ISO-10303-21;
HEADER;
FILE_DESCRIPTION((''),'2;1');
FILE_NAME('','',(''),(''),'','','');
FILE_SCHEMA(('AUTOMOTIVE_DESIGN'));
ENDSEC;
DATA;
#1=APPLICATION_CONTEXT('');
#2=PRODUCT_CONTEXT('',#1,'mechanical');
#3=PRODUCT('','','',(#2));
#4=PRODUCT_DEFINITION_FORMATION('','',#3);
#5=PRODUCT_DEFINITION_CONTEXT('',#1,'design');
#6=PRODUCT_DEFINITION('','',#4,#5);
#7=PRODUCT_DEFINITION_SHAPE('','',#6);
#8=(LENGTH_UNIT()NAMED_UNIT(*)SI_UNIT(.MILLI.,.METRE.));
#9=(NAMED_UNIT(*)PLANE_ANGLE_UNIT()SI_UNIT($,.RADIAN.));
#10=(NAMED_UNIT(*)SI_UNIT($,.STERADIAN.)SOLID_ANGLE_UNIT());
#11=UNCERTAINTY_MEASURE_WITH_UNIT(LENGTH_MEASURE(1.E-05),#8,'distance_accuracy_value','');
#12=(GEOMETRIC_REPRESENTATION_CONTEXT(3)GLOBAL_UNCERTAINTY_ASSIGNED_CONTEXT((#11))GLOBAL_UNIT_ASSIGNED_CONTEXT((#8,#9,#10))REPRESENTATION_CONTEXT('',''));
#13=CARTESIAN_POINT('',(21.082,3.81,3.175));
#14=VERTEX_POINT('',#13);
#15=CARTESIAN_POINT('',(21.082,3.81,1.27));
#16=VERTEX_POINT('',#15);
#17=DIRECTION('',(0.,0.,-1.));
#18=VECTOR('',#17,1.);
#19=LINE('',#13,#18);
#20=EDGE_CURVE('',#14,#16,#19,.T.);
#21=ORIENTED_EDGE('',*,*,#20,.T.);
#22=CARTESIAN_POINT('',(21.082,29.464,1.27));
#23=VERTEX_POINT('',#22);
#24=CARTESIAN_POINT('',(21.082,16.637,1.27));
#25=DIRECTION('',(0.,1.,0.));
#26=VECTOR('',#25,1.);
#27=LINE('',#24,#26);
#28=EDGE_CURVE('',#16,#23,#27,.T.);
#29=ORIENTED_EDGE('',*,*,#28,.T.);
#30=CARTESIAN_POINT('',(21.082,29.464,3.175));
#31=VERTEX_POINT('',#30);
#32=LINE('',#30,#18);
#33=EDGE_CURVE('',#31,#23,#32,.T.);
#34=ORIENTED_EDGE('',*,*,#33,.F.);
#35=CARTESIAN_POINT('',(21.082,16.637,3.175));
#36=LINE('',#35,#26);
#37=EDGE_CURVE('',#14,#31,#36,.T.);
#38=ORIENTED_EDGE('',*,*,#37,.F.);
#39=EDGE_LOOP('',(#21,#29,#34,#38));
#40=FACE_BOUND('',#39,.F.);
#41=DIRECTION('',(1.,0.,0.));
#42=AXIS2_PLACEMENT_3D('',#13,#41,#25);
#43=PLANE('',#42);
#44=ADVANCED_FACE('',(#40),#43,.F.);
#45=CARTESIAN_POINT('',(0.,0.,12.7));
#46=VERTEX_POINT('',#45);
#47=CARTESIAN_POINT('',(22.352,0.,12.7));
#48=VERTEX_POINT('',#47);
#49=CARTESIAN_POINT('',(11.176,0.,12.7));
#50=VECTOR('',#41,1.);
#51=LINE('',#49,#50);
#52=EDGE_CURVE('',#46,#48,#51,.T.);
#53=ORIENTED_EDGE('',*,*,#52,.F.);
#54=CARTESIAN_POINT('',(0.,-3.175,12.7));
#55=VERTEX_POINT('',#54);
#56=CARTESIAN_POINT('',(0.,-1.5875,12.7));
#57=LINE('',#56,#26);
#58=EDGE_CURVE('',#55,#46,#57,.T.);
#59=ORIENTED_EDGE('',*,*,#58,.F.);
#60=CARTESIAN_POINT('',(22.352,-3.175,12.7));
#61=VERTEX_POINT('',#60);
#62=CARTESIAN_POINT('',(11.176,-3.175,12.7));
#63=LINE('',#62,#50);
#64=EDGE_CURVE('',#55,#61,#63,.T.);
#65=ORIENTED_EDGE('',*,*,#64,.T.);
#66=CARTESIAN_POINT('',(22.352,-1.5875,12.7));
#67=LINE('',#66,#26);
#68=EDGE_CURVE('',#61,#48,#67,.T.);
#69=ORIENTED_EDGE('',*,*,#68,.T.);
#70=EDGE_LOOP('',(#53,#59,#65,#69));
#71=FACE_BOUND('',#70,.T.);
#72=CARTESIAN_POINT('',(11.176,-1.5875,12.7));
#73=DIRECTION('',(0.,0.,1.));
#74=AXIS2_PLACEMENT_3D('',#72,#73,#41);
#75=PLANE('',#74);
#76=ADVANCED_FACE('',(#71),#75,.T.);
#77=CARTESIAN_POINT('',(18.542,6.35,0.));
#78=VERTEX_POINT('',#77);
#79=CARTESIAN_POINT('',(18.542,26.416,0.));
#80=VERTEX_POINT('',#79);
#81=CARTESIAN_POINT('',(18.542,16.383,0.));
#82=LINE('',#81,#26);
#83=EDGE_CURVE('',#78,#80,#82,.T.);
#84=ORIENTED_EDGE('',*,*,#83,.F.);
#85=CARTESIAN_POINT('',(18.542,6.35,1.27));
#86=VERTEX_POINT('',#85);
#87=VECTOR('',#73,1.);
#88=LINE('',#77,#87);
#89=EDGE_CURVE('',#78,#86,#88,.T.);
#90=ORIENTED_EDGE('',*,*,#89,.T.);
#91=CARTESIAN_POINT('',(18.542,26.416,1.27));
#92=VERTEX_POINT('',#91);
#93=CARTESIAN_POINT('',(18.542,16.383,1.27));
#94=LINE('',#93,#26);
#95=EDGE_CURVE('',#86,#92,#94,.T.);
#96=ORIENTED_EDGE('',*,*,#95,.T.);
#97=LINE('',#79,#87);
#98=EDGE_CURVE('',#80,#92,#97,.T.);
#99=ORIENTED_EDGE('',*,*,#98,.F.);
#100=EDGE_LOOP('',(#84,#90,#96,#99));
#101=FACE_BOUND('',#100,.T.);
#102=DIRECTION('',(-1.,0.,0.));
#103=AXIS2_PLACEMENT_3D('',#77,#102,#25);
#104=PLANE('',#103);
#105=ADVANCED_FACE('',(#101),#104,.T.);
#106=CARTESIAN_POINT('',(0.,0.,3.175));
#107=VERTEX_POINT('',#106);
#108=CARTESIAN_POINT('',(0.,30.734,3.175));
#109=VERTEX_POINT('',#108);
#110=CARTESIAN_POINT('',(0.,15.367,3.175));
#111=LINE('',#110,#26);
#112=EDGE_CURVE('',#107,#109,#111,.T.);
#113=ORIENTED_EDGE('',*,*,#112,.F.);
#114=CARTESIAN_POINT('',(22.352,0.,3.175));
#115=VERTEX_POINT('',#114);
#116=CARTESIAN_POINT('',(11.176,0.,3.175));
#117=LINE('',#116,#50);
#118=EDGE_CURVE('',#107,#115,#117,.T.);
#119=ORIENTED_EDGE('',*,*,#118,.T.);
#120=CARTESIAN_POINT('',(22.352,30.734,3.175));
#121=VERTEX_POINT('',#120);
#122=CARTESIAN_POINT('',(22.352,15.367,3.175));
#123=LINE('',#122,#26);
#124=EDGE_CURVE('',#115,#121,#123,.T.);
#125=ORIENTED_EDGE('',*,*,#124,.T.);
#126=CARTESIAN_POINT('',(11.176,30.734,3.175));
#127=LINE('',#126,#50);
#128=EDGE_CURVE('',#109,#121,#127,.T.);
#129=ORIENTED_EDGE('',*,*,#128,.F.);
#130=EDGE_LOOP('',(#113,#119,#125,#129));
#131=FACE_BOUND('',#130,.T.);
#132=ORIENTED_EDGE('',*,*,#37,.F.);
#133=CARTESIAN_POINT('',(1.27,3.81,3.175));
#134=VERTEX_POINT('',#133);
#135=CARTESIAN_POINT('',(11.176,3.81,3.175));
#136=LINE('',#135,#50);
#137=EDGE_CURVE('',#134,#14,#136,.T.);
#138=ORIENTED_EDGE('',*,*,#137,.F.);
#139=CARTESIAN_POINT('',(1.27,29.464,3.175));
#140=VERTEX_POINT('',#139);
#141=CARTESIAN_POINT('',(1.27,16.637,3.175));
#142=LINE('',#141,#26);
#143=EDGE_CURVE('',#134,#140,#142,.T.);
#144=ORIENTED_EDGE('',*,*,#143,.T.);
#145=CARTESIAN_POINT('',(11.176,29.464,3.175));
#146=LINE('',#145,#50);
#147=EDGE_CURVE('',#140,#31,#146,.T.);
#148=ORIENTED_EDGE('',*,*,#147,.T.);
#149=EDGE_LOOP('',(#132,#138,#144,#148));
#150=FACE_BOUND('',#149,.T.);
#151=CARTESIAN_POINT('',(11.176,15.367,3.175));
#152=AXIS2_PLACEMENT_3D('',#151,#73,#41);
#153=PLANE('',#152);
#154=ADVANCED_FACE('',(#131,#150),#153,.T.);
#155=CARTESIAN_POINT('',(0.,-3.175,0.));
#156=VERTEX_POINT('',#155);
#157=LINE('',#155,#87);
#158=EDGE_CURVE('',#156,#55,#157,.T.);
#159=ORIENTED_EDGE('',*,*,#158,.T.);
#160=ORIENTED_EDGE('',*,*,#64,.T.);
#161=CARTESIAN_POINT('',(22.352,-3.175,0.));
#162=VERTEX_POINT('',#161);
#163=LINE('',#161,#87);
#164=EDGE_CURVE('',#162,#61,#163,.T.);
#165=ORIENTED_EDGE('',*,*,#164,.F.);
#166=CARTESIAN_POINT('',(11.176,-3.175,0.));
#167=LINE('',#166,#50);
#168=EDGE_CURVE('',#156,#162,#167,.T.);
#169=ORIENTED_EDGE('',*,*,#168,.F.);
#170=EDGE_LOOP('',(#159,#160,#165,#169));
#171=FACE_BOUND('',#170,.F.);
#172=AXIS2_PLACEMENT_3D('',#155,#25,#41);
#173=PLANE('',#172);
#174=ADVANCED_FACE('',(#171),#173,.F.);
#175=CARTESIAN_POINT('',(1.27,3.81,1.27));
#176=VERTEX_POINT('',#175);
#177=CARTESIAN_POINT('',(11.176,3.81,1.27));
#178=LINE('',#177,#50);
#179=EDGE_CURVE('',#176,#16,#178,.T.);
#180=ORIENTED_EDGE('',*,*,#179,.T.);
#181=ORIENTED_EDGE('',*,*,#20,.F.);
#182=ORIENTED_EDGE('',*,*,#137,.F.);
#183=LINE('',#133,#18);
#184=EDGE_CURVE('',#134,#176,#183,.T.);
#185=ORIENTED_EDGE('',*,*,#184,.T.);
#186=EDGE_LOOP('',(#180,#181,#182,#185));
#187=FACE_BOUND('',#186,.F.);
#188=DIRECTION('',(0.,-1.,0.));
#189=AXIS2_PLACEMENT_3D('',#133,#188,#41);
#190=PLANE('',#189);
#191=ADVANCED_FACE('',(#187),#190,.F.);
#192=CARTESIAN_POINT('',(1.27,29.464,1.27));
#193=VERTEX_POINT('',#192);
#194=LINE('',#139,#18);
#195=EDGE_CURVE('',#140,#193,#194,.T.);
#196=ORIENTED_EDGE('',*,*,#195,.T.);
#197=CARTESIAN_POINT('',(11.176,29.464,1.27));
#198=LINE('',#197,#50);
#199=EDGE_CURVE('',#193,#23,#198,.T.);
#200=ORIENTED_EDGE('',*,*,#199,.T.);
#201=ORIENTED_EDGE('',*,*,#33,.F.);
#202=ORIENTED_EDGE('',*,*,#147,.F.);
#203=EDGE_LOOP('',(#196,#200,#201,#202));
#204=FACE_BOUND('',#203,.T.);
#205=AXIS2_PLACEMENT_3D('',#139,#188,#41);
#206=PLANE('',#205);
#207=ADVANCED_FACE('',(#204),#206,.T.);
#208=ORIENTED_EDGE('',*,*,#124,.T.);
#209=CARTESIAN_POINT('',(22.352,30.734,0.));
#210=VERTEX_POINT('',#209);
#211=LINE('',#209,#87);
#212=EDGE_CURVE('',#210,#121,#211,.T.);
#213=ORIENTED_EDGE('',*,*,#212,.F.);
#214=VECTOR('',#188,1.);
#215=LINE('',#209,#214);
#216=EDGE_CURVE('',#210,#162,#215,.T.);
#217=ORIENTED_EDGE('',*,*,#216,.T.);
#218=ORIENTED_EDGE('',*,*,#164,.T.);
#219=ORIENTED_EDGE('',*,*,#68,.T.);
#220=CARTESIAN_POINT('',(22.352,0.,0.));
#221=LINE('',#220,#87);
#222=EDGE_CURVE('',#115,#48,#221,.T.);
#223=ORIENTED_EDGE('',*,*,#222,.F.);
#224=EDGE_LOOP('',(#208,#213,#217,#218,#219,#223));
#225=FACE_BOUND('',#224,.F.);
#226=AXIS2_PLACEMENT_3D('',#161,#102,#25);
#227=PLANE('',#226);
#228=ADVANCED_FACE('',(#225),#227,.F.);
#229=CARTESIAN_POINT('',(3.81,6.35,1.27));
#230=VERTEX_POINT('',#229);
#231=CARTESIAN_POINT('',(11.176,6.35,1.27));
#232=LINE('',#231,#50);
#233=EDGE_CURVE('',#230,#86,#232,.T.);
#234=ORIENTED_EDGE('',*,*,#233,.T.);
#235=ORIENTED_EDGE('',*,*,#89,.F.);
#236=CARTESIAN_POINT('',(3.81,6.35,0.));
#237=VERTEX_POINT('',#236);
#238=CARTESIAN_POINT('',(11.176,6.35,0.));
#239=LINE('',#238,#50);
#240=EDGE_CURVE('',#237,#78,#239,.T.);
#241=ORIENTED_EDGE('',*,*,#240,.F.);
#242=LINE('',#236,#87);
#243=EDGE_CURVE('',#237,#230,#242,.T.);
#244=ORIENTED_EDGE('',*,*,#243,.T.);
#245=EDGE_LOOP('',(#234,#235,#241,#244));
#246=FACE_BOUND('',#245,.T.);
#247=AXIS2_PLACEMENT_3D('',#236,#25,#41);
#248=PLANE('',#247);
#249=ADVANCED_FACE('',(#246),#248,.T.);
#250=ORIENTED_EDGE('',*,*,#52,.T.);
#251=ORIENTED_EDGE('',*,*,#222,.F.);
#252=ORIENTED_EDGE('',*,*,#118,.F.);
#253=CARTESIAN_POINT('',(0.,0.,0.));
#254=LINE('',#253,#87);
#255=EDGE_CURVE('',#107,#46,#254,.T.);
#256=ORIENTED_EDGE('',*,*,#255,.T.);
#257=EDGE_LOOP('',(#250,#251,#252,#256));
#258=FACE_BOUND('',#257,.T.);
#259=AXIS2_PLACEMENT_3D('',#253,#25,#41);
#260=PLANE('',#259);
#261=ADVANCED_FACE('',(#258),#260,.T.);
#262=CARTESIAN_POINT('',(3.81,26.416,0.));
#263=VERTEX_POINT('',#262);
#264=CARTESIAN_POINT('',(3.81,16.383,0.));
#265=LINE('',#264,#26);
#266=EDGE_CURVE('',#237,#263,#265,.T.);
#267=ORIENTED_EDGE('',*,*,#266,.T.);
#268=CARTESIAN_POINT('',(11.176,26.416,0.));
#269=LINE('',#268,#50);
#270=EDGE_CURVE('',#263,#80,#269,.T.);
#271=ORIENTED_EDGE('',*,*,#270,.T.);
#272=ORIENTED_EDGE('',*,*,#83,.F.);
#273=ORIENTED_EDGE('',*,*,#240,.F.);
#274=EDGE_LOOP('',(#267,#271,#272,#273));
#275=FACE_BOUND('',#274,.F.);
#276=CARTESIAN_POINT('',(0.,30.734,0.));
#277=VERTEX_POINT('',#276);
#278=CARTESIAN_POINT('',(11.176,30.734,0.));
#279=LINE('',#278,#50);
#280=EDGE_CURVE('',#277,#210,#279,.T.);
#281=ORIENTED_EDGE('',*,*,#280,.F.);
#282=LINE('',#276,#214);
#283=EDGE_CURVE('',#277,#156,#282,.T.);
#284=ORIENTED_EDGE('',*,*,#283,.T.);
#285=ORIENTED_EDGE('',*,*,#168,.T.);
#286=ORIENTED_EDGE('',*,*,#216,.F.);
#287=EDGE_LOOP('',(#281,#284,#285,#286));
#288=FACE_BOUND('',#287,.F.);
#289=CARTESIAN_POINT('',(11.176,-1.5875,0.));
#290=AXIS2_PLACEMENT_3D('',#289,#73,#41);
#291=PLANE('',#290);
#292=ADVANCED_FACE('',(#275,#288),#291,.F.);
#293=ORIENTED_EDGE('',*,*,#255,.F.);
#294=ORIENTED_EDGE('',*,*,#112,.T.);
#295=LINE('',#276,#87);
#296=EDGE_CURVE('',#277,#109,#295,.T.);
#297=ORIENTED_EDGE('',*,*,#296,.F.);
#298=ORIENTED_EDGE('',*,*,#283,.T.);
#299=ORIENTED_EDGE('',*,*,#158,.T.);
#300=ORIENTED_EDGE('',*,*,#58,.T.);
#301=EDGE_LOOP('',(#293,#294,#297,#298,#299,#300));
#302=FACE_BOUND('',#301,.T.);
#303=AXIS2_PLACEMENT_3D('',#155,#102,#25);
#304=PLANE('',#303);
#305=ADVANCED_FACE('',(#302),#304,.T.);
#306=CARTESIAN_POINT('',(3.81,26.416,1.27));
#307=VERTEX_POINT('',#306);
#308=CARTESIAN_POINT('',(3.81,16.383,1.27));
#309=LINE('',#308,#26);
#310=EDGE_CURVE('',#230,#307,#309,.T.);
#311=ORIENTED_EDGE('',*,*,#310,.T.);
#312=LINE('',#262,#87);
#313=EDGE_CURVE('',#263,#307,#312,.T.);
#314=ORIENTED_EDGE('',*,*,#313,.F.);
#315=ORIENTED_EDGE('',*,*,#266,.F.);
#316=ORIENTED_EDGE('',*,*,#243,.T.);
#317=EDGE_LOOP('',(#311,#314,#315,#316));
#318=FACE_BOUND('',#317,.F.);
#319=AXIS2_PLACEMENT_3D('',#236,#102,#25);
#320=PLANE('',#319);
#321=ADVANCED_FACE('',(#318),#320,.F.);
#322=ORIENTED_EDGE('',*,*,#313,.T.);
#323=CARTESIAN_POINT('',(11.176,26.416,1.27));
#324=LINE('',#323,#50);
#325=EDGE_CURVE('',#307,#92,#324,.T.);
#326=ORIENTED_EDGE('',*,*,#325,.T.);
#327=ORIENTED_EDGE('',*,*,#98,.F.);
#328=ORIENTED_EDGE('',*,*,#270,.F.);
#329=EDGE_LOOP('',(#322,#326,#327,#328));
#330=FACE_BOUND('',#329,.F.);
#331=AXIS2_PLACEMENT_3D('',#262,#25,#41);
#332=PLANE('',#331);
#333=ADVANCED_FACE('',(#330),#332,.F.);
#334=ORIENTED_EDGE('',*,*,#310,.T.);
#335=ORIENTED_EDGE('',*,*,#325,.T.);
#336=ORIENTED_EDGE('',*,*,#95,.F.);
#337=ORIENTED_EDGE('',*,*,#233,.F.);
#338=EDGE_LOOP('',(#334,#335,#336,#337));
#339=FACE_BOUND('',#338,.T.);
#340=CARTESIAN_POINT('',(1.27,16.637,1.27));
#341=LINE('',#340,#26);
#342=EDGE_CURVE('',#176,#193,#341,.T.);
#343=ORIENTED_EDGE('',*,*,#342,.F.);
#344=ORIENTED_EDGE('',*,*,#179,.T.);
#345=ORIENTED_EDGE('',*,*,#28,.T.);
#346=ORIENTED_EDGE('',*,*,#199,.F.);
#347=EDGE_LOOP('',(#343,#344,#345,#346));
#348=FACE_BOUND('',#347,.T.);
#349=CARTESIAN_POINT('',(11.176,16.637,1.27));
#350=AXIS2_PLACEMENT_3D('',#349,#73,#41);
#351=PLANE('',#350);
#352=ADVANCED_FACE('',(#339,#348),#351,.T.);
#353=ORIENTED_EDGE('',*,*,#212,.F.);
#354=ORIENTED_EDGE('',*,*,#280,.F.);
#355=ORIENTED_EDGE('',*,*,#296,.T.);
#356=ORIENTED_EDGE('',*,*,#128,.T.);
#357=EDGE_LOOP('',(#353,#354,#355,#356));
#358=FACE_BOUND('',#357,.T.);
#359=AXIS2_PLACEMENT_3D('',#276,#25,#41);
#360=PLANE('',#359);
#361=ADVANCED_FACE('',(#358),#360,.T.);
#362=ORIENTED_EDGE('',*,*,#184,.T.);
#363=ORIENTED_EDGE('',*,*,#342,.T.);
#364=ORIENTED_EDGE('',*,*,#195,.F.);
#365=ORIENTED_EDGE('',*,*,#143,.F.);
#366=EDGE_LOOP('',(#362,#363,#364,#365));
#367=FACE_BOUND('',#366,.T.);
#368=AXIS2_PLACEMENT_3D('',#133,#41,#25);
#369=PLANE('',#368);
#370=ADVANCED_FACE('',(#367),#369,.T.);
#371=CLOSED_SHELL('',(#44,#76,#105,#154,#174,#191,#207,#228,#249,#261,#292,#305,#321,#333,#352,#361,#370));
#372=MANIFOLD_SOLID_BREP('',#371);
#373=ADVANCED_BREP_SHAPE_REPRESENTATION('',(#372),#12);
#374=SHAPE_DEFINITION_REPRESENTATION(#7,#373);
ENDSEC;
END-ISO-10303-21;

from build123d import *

# Parameters (mm, degrees)
F0_W     = 22.352
F0_H     = 30.734
F0_W_2   = 14.732
F0_H_2   = 20.066
F1_DEPTH = 3.175
F2_W     = 19.812
F2_H     = 25.654
F2_W_2   = 14.732
F2_H_2   = 20.066
F3_DEPTH = 1.905
F0_H_3   = 3.175
F4_DEPTH = 12.7


with BuildPart() as f1:
    # F0 (on Top) → F1 (new body)
    with BuildSketch(Plane.XY):
        with Locations((11.176, 15.367)):
            Rectangle(F0_W, F0_H)
        with Locations((11.176, 16.383)):
            Rectangle(F0_W_2, F0_H_2, mode=Mode.SUBTRACT)
    extrude(amount=F1_DEPTH)

    # F2 (on face) → F3 (cut)
    with BuildSketch(Plane.XY.offset(3.175)):
        with Locations((11.176, 16.637)):
            Rectangle(F2_W, F2_H)
        with Locations((11.176, 16.383)):
            Rectangle(F2_W_2, F2_H_2, mode=Mode.SUBTRACT)
    extrude(amount=-F3_DEPTH, mode=Mode.SUBTRACT)

    # F0 (on Top) → F4 (join)
    with BuildSketch(Plane.XY):
        with Locations((11.176, -1.5875)):
            Rectangle(F0_W, F0_H_3)
    extrude(amount=F4_DEPTH)


solid = f1.part
